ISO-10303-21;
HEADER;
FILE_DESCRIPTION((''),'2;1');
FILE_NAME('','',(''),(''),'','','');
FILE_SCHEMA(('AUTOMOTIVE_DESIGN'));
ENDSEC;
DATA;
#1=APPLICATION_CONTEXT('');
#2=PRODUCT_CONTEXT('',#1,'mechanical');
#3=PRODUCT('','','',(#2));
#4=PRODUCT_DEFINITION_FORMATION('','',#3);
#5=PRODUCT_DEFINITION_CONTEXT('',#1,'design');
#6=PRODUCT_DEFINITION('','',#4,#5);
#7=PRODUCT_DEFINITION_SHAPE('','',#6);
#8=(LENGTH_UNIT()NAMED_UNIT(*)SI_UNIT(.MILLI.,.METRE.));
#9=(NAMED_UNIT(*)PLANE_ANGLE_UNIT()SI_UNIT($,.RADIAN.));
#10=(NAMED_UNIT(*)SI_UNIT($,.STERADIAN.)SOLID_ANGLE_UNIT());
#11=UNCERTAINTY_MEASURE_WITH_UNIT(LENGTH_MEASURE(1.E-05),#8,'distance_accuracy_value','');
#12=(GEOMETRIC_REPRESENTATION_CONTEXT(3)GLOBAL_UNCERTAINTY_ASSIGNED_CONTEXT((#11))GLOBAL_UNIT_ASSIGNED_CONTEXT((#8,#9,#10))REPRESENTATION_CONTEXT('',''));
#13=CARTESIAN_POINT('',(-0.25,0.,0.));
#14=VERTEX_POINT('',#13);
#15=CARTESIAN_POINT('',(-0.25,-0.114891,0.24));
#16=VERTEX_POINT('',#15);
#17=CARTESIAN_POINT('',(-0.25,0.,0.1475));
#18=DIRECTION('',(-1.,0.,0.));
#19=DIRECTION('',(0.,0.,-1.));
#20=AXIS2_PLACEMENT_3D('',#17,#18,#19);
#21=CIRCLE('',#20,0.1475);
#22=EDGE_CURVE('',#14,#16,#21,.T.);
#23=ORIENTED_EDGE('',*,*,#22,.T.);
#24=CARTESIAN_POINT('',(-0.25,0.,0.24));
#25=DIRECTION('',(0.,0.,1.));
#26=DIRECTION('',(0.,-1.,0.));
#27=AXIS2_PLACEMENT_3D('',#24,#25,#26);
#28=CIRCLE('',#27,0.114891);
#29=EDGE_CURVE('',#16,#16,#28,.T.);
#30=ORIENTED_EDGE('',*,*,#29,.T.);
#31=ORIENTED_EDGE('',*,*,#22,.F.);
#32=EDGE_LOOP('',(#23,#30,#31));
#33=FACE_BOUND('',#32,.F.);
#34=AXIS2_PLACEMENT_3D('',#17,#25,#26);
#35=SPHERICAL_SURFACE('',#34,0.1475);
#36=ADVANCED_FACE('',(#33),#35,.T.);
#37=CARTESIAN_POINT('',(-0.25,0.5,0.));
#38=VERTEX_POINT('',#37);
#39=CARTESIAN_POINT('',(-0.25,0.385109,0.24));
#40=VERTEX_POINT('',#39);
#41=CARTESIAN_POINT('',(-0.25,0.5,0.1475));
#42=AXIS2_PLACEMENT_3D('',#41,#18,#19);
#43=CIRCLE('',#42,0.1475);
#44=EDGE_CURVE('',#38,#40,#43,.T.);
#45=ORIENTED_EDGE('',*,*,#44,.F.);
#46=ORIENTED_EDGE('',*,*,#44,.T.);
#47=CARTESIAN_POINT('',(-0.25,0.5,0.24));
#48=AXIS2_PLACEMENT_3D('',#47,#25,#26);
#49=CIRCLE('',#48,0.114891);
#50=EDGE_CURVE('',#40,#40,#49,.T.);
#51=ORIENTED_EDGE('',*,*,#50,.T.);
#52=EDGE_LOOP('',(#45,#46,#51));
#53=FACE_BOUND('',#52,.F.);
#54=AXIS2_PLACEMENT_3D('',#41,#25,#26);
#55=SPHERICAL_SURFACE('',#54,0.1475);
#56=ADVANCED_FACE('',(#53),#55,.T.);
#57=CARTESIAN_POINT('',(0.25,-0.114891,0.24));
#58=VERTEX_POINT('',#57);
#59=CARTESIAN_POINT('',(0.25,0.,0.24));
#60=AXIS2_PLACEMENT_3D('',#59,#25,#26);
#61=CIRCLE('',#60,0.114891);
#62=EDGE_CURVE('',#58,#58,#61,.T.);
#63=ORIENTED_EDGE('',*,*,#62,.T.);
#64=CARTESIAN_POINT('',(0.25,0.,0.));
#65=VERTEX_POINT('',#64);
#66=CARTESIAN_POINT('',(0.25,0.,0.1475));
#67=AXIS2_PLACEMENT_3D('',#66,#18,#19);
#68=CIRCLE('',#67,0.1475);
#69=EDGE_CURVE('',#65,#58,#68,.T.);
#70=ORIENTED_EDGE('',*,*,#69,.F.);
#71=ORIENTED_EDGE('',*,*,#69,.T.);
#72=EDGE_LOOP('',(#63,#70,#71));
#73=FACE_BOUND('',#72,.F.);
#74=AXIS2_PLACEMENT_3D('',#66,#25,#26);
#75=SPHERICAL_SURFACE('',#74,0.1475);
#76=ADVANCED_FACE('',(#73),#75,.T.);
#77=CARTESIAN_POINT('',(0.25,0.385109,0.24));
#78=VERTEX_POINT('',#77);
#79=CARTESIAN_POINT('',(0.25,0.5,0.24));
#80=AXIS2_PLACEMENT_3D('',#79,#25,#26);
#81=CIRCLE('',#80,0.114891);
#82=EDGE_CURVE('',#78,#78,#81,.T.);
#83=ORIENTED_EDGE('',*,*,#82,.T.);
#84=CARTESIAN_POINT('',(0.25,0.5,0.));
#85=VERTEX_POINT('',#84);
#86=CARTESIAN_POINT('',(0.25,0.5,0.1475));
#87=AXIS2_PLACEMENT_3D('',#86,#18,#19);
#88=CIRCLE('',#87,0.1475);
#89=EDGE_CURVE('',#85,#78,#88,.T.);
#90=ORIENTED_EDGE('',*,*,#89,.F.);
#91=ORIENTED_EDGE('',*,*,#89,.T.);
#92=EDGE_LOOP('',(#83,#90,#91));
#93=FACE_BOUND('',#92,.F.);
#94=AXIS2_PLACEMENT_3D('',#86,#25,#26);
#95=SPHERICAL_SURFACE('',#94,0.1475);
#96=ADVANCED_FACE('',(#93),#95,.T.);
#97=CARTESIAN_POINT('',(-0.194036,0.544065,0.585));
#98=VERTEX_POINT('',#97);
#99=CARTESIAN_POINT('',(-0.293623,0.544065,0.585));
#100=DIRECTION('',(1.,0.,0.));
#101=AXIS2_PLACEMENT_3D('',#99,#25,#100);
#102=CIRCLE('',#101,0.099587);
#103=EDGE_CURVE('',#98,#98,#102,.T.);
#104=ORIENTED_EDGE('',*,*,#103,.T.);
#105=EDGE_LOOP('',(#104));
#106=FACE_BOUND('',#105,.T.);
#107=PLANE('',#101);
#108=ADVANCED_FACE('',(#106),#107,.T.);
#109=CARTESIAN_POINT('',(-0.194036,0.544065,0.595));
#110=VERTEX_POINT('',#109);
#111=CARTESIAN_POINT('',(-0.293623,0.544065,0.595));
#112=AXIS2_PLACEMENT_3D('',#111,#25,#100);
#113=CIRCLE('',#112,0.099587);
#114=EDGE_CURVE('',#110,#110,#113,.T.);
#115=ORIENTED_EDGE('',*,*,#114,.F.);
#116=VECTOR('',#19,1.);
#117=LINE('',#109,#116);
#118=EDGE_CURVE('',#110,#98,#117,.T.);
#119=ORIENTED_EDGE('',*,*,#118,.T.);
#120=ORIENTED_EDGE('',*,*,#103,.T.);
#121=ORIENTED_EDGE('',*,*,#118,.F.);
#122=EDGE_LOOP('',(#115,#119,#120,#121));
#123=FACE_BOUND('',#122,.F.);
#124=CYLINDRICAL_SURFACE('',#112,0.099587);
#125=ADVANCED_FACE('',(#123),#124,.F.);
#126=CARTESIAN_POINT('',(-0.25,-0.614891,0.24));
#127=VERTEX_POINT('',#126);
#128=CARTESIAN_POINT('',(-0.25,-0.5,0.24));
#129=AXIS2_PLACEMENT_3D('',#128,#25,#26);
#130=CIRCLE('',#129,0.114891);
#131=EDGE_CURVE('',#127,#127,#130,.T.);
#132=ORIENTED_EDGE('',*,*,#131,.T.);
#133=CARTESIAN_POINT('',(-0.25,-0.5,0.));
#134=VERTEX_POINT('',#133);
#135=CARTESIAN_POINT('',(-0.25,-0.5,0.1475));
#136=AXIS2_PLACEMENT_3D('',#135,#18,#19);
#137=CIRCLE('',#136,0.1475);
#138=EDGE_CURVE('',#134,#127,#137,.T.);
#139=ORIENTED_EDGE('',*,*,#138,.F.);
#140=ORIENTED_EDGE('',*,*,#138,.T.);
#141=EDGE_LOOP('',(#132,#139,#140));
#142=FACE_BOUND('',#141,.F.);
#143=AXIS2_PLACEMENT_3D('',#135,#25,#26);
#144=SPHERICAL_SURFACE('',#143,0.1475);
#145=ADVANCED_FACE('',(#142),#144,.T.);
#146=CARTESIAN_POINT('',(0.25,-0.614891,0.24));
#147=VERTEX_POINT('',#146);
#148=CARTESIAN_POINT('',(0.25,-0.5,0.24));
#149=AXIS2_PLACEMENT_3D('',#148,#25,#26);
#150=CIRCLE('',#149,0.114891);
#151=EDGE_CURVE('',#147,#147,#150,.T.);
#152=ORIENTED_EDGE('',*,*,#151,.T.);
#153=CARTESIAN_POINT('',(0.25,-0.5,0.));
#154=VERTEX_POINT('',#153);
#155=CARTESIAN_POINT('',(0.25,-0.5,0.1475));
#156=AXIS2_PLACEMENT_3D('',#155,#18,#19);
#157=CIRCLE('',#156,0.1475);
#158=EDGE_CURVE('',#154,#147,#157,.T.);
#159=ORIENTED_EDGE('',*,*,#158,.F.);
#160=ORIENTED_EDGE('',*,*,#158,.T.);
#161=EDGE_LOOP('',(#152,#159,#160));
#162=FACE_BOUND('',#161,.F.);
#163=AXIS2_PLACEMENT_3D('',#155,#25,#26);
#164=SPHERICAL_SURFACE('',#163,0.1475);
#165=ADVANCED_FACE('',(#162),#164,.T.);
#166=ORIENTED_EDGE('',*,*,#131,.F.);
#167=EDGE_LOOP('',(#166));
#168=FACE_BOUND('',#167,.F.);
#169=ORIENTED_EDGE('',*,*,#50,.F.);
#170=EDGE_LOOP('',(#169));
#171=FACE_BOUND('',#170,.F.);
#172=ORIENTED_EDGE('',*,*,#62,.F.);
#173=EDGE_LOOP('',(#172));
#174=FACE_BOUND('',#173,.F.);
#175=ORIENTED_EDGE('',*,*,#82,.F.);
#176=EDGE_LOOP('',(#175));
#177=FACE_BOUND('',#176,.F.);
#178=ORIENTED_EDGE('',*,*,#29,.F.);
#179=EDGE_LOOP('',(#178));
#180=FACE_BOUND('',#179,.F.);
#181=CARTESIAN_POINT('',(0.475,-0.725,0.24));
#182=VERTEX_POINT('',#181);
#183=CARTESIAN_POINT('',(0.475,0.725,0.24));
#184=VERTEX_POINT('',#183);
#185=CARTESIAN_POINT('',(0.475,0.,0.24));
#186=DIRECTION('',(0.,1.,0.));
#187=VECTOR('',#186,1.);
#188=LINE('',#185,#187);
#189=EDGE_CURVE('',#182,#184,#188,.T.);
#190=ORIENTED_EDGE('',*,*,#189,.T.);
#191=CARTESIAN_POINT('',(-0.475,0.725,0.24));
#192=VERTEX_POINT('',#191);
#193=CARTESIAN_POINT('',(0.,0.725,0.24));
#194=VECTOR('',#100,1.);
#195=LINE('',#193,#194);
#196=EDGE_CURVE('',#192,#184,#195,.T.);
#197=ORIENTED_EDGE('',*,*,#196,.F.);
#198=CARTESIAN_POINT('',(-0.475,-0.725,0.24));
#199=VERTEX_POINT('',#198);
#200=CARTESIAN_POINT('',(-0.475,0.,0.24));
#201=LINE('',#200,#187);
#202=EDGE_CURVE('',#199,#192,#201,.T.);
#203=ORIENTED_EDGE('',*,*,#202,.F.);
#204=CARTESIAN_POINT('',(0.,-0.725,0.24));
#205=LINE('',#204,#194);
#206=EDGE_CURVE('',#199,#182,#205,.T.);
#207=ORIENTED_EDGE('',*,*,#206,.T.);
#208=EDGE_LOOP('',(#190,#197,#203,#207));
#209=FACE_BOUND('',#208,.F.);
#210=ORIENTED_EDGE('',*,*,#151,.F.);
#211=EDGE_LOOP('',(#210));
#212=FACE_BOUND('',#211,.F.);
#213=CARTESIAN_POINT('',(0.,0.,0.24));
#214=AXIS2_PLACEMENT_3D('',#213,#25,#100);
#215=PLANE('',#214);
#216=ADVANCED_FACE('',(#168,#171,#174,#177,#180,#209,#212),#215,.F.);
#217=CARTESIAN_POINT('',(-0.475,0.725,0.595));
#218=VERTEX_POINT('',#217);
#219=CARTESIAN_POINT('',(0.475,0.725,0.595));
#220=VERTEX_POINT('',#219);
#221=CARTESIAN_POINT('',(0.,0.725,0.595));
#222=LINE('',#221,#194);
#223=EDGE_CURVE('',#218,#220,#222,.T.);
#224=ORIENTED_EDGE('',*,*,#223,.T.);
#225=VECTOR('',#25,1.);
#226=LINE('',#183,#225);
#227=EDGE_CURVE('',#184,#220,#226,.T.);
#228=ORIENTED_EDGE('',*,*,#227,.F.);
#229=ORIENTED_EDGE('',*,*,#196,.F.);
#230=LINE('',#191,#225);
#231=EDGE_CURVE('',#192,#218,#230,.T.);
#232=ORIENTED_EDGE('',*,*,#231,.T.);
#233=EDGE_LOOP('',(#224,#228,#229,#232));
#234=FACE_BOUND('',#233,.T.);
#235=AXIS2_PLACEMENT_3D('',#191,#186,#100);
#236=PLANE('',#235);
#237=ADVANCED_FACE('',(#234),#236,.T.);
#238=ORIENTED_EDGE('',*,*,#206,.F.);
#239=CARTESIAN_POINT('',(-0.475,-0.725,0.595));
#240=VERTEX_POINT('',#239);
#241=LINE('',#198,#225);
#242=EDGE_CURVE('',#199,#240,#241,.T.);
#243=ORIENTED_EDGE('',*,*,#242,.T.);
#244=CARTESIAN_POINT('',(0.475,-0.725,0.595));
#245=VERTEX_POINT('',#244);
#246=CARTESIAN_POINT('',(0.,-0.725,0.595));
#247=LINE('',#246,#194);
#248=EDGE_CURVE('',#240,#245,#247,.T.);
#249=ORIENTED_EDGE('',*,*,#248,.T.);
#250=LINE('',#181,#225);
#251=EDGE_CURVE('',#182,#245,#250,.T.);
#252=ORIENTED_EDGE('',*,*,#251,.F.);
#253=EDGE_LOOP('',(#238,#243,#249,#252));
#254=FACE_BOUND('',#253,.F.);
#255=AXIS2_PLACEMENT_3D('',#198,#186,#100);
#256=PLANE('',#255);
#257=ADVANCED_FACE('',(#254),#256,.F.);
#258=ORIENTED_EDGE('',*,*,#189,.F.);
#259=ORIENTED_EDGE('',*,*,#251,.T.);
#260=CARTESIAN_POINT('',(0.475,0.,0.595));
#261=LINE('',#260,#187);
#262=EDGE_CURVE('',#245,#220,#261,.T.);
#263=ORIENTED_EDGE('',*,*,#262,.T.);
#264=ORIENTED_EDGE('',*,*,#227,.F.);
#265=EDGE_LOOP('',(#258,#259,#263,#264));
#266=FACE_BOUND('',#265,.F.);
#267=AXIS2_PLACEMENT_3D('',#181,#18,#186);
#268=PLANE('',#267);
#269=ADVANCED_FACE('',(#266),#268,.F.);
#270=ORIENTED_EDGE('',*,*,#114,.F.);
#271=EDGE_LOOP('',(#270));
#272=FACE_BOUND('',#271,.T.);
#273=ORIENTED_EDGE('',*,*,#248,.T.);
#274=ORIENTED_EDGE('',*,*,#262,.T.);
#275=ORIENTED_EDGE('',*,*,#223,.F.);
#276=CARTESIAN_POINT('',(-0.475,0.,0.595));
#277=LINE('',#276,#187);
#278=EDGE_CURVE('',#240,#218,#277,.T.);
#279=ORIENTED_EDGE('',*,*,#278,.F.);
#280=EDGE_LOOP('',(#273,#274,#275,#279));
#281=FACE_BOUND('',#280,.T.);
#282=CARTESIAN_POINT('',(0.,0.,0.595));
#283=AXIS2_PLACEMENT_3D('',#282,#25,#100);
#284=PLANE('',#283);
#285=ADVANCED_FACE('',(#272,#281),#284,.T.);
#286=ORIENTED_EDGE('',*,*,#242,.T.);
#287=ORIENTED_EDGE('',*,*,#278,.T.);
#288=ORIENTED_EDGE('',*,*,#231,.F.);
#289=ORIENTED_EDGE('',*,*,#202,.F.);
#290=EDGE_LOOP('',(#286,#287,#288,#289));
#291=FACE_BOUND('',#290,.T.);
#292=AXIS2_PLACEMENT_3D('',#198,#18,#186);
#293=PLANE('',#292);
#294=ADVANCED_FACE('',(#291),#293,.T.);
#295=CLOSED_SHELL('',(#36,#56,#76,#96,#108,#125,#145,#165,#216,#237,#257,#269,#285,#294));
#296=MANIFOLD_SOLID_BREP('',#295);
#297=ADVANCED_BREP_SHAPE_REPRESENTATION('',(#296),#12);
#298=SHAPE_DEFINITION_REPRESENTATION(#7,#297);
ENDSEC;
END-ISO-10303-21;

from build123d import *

# Parameters (mm, degrees)
BOSS_EXTRUDE1_START  = 0.24
SKETCH1_W            = 0.95
SKETCH1_H            = 1.45
BOSS_EXTRUDE1_DEPTH  = 0.355
LPATTERN1_COUNT      = 2
LPATTERN1_PITCH      = 0.5
LPATTERN1_COUNT_DIR2 = 3
LPATTERN1_PITCH_DIR2 = 0.5
SKETCH3_R            = 0.0995871
CUT_EXTRUDE1_DEPTH   = 0.01


with BuildPart() as part:
    # Sketch1 → Boss-Extrude1 (new body)
    with BuildSketch(Plane.XY.offset(BOSS_EXTRUDE1_START)):
        Rectangle(SKETCH1_W, SKETCH1_H)
    extrude(amount=BOSS_EXTRUDE1_DEPTH)

    # Sketch2 → Revolve1 (revolve)
    with BuildSketch(Plane(origin=(0.25, 0, 0), x_dir=(0, 0, -1), z_dir=(1, 0, 0))):
        with BuildLine():
            Line((-0.295, 0.5), (0, 0.5))
            ThreePointArc((0, 0.5), (-0.1475, 0.3525), (-0.295, 0.5))
        make_face()
    revolve1 = revolve(axis=Axis((0.25, 0.5, 0.295), (0, 0, -1)))

    # LPattern1: Revolve1 2 × 3
    with Locations(*[(-i * LPATTERN1_PITCH, -j * LPATTERN1_PITCH_DIR2, 0) for i in range(LPATTERN1_COUNT) for j in range(LPATTERN1_COUNT_DIR2) if (i, j) != (0, 0)]):
        add(revolve1)

    # Sketch3 → Cut-Extrude1 (cut)
    with BuildSketch(Plane.XY.offset(0.595)):
        with Locations((-0.293622617, 0.544065437)):
            Circle(SKETCH3_R)
    extrude(amount=-CUT_EXTRUDE1_DEPTH, mode=Mode.SUBTRACT)


solid = part.part
